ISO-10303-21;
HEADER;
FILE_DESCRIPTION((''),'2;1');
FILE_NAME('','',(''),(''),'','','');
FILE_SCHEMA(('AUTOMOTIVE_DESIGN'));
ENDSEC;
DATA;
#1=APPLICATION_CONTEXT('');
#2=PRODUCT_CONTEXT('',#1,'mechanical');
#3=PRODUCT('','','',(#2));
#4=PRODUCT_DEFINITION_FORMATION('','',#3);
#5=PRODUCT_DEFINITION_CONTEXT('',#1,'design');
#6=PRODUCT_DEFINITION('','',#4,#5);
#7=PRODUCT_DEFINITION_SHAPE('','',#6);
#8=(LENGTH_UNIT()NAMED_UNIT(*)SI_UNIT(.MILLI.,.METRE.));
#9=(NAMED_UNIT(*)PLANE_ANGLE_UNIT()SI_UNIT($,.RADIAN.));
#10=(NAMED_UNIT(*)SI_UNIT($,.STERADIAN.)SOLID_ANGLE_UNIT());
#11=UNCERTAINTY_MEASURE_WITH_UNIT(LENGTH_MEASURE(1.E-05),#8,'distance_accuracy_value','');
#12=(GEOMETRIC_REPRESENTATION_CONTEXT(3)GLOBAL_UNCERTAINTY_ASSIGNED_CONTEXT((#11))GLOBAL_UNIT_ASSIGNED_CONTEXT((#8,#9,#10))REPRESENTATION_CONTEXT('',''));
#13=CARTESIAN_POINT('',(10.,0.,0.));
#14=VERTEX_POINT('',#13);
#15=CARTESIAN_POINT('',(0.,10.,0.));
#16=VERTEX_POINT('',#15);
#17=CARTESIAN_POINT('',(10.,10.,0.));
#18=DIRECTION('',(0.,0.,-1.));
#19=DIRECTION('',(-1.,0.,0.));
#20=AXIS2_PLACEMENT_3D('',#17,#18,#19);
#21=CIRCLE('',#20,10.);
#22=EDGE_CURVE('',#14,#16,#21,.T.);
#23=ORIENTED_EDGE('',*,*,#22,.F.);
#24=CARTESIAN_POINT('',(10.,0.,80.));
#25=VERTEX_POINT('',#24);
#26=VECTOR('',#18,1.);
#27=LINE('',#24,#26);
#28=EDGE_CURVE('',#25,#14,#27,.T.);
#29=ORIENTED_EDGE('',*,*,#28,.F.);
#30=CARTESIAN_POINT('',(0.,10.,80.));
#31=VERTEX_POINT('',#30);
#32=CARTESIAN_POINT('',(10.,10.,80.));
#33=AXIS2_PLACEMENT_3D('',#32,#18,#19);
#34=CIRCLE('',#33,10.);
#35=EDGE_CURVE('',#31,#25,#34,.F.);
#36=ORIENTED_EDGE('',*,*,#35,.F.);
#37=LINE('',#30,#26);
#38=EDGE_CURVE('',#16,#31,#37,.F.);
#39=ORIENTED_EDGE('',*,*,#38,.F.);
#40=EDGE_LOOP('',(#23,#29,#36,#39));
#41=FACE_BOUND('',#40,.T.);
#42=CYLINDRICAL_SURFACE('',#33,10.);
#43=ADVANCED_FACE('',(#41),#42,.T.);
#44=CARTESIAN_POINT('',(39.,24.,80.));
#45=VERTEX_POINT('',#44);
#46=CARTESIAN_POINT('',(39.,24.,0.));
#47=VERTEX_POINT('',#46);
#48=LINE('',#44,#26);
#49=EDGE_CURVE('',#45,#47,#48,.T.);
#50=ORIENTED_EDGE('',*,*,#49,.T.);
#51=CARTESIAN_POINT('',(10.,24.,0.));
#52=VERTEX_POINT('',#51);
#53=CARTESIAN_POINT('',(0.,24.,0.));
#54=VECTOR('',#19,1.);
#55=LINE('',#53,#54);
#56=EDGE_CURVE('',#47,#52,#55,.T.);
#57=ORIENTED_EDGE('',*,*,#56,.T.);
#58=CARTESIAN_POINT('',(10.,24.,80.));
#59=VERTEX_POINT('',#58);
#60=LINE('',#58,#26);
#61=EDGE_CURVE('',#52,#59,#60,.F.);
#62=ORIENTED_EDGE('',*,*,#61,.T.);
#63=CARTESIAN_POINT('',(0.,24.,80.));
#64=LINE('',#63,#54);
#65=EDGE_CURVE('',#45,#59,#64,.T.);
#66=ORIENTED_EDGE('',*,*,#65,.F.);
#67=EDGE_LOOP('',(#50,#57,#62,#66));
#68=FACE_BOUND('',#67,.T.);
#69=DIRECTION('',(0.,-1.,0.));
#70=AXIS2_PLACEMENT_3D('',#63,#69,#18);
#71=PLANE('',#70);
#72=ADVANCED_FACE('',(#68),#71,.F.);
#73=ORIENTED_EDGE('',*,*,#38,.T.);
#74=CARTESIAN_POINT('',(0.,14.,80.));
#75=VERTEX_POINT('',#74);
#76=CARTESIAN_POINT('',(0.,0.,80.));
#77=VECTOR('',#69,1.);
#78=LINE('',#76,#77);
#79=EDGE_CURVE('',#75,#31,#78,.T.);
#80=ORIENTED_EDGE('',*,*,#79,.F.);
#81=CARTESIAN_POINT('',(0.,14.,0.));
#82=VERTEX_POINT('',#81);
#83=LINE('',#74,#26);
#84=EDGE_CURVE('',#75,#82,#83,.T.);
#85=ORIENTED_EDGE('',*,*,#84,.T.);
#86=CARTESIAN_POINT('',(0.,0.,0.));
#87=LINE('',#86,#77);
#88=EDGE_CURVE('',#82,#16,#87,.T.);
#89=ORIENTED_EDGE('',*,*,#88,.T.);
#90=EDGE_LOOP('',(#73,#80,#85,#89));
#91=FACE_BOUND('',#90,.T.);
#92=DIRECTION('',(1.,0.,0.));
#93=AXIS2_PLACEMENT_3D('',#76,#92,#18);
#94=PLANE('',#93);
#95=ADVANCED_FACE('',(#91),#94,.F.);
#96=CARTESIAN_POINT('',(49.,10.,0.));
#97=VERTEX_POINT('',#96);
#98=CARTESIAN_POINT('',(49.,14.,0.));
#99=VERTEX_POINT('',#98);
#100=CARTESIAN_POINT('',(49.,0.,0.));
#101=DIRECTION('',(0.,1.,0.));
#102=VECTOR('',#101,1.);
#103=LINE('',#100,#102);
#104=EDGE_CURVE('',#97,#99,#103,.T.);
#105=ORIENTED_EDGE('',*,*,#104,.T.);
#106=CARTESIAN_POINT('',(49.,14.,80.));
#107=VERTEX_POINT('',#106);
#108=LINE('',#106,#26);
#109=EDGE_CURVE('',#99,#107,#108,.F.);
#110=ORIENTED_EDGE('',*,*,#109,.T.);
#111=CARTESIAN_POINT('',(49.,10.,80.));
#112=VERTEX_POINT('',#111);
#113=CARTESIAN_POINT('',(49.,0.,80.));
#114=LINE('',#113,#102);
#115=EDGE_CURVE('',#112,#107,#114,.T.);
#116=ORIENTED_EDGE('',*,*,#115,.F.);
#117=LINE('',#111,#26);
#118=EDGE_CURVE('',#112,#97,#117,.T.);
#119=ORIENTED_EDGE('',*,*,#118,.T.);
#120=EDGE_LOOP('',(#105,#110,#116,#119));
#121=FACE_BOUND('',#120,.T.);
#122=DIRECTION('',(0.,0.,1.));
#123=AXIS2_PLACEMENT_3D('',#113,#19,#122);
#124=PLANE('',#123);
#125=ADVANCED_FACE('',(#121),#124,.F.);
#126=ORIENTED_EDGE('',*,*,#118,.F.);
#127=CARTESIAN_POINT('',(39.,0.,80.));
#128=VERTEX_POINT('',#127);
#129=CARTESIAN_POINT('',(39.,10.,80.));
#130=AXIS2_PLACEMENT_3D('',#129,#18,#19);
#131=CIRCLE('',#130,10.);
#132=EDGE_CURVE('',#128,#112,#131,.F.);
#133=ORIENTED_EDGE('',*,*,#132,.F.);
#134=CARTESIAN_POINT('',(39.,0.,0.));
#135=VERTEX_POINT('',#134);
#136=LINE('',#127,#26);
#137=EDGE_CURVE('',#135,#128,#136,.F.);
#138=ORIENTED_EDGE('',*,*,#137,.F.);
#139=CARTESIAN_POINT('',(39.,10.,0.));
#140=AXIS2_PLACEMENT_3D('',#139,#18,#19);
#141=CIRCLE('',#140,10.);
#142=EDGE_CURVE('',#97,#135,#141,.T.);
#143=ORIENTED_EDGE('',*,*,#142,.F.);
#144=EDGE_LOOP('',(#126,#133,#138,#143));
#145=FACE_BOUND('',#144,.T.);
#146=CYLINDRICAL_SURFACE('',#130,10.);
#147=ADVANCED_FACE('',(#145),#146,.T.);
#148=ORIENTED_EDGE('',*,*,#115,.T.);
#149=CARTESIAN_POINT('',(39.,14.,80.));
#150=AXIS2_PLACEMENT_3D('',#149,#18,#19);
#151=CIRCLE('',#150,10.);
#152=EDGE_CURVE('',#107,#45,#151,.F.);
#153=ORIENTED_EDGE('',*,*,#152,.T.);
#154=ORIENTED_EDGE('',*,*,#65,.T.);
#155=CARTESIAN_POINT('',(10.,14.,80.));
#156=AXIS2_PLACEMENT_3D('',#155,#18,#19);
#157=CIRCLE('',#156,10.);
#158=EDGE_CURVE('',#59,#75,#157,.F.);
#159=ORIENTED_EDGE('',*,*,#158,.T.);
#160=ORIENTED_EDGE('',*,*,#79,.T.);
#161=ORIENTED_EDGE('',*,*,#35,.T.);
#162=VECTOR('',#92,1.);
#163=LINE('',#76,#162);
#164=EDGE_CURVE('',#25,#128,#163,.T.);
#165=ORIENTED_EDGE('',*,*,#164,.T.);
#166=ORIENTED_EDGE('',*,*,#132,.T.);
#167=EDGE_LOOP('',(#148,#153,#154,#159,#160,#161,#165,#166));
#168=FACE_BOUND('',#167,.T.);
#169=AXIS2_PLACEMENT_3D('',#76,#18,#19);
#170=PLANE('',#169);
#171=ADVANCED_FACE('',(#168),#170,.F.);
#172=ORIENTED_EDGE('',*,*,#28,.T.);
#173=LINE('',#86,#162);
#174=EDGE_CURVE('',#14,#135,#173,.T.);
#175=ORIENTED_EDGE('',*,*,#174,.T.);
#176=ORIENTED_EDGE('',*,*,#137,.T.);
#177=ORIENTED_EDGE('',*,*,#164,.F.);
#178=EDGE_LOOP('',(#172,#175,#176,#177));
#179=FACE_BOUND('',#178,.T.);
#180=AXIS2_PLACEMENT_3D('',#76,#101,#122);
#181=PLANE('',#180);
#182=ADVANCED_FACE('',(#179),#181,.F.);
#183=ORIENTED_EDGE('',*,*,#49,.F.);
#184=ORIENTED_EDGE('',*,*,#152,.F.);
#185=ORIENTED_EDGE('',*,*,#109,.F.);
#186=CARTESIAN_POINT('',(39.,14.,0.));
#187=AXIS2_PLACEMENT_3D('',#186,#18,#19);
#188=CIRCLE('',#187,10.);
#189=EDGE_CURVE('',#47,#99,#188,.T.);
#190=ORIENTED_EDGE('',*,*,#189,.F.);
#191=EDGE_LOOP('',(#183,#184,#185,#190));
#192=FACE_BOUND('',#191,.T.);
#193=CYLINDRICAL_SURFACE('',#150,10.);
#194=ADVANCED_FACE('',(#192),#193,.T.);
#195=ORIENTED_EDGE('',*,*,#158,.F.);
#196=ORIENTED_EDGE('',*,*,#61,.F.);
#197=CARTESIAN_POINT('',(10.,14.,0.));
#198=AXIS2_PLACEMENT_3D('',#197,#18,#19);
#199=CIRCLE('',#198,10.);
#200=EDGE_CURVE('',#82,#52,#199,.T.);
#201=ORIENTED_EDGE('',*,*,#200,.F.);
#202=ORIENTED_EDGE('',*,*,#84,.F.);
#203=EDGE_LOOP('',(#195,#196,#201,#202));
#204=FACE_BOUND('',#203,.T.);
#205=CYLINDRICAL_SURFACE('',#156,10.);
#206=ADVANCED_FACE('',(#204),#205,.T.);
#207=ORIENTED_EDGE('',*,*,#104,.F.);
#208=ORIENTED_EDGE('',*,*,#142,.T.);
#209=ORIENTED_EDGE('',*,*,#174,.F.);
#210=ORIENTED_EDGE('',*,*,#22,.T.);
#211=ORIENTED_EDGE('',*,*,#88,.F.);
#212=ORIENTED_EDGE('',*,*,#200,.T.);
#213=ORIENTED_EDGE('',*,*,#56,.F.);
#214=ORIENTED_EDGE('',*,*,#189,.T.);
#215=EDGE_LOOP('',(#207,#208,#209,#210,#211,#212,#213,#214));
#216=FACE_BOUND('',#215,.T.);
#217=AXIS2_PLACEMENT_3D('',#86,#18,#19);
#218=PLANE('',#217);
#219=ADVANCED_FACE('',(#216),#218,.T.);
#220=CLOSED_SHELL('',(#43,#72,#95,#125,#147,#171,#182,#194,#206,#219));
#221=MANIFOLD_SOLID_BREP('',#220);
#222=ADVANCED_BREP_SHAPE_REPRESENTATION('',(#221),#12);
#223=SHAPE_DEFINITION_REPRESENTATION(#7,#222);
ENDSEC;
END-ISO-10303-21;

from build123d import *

# Parameters (mm, degrees)
SKIZZE1_W                       = 49
SKIZZE1_H                       = 24
AUFSATZ_LINEAR_AUSTRAGEN1_DEPTH = 80
VERRUNDUNG1_R                   = 10


with BuildPart() as part:
    # Skizze1 → Aufsatz-Linear austragen1 (new body)
    with BuildSketch(Plane.XY):
        with Locations((24.5, 12)):
            Rectangle(SKIZZE1_W, SKIZZE1_H)
    extrude(amount=AUFSATZ_LINEAR_AUSTRAGEN1_DEPTH)

    # Verrundung1
    verrundung1_edges = [part.edges().sort_by_distance(p)[0] for p in [
        (0, 24, 40),
        (49, 24, 40),
        (49, 0, 40),
        (0, 0, 40),
    ]]
    fillet(verrundung1_edges, radius=VERRUNDUNG1_R)


solid = part.part
